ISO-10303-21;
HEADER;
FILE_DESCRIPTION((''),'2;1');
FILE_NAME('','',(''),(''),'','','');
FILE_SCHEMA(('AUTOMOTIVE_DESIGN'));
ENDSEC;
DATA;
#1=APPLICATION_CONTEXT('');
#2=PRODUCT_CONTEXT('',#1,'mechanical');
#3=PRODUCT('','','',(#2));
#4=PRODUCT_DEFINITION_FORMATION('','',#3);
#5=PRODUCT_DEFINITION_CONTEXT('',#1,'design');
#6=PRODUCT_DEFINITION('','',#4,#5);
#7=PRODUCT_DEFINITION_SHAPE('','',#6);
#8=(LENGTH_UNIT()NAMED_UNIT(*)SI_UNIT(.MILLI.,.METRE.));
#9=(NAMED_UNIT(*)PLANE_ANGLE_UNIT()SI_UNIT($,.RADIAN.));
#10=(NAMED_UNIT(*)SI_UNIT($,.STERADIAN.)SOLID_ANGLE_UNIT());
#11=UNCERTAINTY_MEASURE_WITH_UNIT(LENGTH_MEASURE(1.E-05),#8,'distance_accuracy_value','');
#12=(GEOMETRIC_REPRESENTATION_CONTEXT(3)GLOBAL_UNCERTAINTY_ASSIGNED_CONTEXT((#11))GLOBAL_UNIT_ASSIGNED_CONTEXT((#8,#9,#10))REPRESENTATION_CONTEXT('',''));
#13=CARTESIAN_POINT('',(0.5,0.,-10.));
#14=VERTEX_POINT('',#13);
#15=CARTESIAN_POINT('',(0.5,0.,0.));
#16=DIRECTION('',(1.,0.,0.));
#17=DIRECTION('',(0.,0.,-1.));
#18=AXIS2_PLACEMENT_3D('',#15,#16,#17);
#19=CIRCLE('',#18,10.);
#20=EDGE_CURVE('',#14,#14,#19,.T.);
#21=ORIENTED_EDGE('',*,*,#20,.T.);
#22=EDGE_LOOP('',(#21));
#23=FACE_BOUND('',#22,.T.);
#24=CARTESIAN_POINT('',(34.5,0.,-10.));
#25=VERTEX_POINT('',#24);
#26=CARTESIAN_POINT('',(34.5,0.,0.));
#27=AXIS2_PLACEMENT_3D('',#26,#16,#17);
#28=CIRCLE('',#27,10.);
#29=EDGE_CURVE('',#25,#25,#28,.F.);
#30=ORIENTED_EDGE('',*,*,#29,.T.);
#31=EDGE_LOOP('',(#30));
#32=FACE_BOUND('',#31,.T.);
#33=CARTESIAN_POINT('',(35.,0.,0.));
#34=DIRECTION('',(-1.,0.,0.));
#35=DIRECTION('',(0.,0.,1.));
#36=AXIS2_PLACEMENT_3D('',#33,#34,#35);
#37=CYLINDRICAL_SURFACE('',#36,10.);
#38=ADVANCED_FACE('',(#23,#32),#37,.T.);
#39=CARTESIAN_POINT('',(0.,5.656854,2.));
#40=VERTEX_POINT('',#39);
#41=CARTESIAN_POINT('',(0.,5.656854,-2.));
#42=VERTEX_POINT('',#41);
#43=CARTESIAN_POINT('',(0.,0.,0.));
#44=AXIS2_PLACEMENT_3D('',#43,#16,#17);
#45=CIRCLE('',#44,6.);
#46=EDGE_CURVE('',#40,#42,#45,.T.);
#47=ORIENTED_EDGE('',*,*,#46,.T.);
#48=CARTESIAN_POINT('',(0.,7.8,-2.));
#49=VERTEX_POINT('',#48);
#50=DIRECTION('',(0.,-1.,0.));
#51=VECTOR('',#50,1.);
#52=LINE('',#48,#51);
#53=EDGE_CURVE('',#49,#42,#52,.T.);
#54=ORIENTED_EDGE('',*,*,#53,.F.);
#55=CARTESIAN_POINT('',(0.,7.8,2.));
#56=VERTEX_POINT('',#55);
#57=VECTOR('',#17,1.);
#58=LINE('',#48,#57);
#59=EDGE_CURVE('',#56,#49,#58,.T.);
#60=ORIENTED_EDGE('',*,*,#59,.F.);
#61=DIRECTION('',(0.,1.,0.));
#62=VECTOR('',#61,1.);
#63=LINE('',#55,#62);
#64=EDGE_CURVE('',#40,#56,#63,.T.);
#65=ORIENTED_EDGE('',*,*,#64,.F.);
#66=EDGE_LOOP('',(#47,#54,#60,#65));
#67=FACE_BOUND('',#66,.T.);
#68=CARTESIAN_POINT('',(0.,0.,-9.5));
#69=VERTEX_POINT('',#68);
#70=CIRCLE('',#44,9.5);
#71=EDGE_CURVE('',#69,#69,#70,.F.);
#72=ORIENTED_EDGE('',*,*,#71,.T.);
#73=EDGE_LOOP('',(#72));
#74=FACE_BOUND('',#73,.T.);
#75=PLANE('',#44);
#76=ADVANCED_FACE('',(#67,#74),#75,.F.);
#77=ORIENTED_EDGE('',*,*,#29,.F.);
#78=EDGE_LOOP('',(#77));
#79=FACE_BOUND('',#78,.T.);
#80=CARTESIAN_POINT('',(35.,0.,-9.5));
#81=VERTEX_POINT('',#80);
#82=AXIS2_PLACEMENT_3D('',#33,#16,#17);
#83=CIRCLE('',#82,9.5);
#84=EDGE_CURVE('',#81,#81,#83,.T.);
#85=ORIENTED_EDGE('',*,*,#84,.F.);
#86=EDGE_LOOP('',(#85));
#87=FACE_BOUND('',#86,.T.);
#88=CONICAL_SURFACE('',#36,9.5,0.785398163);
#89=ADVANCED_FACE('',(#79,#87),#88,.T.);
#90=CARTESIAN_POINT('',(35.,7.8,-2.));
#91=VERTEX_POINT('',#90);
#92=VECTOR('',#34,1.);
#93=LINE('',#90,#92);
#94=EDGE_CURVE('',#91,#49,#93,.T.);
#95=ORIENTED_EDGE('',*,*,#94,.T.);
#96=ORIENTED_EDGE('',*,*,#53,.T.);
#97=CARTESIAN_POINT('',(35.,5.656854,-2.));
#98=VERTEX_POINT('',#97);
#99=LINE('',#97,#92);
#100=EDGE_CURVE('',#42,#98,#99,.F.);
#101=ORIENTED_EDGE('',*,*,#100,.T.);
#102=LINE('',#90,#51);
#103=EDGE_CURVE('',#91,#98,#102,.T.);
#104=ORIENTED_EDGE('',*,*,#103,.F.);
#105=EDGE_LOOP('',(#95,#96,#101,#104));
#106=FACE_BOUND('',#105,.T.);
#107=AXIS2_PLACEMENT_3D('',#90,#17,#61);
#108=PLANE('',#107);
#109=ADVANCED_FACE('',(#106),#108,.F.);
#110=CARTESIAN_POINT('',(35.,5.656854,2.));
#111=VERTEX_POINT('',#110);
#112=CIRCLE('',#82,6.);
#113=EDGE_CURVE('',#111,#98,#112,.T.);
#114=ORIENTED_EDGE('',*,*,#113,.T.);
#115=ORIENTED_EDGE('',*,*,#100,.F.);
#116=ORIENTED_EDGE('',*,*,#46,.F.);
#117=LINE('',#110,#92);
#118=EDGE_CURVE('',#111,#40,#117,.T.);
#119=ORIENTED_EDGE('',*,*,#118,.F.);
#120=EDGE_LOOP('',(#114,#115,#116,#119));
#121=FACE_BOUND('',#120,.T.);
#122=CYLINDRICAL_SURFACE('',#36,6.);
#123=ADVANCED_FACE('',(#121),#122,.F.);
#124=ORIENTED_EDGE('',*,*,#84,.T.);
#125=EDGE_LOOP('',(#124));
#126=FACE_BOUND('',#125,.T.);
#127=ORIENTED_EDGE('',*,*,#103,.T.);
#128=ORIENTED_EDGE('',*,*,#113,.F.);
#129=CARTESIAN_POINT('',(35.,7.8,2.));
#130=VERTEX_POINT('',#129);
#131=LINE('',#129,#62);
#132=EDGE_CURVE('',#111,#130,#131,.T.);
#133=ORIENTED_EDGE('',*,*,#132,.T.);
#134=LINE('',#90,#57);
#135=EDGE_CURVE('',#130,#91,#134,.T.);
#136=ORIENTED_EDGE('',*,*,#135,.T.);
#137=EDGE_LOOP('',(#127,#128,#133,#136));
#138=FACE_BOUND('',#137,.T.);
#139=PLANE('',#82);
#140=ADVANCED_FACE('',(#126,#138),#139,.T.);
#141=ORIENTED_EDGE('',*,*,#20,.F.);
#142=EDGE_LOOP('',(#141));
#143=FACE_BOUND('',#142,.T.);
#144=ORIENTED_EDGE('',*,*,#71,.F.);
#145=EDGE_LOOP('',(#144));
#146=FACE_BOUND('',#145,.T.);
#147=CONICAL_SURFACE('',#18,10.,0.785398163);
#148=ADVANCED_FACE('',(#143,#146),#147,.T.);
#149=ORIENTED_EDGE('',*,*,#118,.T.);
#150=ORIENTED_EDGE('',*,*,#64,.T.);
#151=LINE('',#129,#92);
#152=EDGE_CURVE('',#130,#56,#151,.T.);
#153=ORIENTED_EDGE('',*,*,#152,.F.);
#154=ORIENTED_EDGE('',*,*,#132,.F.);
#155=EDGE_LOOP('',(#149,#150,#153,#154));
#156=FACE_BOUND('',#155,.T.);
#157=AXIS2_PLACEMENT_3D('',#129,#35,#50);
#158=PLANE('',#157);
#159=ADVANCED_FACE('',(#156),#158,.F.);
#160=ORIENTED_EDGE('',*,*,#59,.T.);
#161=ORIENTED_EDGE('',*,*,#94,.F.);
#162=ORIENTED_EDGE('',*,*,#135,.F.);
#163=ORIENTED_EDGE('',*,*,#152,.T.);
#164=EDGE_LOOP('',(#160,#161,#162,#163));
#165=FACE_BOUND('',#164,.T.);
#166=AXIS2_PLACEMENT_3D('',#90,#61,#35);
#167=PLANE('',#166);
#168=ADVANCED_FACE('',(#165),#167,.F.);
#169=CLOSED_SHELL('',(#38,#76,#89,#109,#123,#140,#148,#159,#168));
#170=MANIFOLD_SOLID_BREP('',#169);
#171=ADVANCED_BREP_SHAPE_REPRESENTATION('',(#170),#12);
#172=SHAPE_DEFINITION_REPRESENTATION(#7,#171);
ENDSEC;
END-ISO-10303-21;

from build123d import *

# Parameters (mm, degrees)
ESQUISSE1_R             = 10
ESQUISSE1_R_2           = 6
BOSS_EXTRU_1_DEPTH      = 35
ESQUISSE2_W             = 4
ESQUISSE2_H             = 6.064626471
ENL_V_MAT_EXTRU_1_DEPTH = 38.749172176
CHANFREIN1_SIZE         = 0.5


with BuildPart() as part:
    # Esquisse1 → Boss.-Extru.1 (new body)
    with BuildSketch(Plane(origin=(0, 0, 0), x_dir=(0, 0, -1), z_dir=(1, 0, 0))):
        Circle(ESQUISSE1_R)
        Circle(ESQUISSE1_R_2, mode=Mode.SUBTRACT)
    extrude(amount=BOSS_EXTRU_1_DEPTH)

    # Esquisse2 → Enlèv. mat.-Extru.1 (cut, through all)
    with BuildSketch(Plane.ZY):
        with Locations((0, 4.767686765)):
            Rectangle(ESQUISSE2_W, ESQUISSE2_H)
    extrude(amount=-ENL_V_MAT_EXTRU_1_DEPTH, mode=Mode.SUBTRACT)

    # Chanfrein1
    chanfrein1_edges = [part.edges().sort_by_distance(p)[0] for p in [
        (0, 0, 10),
        (35, 0, 10),
    ]]
    chamfer(chanfrein1_edges, length=CHANFREIN1_SIZE)


solid = part.part
